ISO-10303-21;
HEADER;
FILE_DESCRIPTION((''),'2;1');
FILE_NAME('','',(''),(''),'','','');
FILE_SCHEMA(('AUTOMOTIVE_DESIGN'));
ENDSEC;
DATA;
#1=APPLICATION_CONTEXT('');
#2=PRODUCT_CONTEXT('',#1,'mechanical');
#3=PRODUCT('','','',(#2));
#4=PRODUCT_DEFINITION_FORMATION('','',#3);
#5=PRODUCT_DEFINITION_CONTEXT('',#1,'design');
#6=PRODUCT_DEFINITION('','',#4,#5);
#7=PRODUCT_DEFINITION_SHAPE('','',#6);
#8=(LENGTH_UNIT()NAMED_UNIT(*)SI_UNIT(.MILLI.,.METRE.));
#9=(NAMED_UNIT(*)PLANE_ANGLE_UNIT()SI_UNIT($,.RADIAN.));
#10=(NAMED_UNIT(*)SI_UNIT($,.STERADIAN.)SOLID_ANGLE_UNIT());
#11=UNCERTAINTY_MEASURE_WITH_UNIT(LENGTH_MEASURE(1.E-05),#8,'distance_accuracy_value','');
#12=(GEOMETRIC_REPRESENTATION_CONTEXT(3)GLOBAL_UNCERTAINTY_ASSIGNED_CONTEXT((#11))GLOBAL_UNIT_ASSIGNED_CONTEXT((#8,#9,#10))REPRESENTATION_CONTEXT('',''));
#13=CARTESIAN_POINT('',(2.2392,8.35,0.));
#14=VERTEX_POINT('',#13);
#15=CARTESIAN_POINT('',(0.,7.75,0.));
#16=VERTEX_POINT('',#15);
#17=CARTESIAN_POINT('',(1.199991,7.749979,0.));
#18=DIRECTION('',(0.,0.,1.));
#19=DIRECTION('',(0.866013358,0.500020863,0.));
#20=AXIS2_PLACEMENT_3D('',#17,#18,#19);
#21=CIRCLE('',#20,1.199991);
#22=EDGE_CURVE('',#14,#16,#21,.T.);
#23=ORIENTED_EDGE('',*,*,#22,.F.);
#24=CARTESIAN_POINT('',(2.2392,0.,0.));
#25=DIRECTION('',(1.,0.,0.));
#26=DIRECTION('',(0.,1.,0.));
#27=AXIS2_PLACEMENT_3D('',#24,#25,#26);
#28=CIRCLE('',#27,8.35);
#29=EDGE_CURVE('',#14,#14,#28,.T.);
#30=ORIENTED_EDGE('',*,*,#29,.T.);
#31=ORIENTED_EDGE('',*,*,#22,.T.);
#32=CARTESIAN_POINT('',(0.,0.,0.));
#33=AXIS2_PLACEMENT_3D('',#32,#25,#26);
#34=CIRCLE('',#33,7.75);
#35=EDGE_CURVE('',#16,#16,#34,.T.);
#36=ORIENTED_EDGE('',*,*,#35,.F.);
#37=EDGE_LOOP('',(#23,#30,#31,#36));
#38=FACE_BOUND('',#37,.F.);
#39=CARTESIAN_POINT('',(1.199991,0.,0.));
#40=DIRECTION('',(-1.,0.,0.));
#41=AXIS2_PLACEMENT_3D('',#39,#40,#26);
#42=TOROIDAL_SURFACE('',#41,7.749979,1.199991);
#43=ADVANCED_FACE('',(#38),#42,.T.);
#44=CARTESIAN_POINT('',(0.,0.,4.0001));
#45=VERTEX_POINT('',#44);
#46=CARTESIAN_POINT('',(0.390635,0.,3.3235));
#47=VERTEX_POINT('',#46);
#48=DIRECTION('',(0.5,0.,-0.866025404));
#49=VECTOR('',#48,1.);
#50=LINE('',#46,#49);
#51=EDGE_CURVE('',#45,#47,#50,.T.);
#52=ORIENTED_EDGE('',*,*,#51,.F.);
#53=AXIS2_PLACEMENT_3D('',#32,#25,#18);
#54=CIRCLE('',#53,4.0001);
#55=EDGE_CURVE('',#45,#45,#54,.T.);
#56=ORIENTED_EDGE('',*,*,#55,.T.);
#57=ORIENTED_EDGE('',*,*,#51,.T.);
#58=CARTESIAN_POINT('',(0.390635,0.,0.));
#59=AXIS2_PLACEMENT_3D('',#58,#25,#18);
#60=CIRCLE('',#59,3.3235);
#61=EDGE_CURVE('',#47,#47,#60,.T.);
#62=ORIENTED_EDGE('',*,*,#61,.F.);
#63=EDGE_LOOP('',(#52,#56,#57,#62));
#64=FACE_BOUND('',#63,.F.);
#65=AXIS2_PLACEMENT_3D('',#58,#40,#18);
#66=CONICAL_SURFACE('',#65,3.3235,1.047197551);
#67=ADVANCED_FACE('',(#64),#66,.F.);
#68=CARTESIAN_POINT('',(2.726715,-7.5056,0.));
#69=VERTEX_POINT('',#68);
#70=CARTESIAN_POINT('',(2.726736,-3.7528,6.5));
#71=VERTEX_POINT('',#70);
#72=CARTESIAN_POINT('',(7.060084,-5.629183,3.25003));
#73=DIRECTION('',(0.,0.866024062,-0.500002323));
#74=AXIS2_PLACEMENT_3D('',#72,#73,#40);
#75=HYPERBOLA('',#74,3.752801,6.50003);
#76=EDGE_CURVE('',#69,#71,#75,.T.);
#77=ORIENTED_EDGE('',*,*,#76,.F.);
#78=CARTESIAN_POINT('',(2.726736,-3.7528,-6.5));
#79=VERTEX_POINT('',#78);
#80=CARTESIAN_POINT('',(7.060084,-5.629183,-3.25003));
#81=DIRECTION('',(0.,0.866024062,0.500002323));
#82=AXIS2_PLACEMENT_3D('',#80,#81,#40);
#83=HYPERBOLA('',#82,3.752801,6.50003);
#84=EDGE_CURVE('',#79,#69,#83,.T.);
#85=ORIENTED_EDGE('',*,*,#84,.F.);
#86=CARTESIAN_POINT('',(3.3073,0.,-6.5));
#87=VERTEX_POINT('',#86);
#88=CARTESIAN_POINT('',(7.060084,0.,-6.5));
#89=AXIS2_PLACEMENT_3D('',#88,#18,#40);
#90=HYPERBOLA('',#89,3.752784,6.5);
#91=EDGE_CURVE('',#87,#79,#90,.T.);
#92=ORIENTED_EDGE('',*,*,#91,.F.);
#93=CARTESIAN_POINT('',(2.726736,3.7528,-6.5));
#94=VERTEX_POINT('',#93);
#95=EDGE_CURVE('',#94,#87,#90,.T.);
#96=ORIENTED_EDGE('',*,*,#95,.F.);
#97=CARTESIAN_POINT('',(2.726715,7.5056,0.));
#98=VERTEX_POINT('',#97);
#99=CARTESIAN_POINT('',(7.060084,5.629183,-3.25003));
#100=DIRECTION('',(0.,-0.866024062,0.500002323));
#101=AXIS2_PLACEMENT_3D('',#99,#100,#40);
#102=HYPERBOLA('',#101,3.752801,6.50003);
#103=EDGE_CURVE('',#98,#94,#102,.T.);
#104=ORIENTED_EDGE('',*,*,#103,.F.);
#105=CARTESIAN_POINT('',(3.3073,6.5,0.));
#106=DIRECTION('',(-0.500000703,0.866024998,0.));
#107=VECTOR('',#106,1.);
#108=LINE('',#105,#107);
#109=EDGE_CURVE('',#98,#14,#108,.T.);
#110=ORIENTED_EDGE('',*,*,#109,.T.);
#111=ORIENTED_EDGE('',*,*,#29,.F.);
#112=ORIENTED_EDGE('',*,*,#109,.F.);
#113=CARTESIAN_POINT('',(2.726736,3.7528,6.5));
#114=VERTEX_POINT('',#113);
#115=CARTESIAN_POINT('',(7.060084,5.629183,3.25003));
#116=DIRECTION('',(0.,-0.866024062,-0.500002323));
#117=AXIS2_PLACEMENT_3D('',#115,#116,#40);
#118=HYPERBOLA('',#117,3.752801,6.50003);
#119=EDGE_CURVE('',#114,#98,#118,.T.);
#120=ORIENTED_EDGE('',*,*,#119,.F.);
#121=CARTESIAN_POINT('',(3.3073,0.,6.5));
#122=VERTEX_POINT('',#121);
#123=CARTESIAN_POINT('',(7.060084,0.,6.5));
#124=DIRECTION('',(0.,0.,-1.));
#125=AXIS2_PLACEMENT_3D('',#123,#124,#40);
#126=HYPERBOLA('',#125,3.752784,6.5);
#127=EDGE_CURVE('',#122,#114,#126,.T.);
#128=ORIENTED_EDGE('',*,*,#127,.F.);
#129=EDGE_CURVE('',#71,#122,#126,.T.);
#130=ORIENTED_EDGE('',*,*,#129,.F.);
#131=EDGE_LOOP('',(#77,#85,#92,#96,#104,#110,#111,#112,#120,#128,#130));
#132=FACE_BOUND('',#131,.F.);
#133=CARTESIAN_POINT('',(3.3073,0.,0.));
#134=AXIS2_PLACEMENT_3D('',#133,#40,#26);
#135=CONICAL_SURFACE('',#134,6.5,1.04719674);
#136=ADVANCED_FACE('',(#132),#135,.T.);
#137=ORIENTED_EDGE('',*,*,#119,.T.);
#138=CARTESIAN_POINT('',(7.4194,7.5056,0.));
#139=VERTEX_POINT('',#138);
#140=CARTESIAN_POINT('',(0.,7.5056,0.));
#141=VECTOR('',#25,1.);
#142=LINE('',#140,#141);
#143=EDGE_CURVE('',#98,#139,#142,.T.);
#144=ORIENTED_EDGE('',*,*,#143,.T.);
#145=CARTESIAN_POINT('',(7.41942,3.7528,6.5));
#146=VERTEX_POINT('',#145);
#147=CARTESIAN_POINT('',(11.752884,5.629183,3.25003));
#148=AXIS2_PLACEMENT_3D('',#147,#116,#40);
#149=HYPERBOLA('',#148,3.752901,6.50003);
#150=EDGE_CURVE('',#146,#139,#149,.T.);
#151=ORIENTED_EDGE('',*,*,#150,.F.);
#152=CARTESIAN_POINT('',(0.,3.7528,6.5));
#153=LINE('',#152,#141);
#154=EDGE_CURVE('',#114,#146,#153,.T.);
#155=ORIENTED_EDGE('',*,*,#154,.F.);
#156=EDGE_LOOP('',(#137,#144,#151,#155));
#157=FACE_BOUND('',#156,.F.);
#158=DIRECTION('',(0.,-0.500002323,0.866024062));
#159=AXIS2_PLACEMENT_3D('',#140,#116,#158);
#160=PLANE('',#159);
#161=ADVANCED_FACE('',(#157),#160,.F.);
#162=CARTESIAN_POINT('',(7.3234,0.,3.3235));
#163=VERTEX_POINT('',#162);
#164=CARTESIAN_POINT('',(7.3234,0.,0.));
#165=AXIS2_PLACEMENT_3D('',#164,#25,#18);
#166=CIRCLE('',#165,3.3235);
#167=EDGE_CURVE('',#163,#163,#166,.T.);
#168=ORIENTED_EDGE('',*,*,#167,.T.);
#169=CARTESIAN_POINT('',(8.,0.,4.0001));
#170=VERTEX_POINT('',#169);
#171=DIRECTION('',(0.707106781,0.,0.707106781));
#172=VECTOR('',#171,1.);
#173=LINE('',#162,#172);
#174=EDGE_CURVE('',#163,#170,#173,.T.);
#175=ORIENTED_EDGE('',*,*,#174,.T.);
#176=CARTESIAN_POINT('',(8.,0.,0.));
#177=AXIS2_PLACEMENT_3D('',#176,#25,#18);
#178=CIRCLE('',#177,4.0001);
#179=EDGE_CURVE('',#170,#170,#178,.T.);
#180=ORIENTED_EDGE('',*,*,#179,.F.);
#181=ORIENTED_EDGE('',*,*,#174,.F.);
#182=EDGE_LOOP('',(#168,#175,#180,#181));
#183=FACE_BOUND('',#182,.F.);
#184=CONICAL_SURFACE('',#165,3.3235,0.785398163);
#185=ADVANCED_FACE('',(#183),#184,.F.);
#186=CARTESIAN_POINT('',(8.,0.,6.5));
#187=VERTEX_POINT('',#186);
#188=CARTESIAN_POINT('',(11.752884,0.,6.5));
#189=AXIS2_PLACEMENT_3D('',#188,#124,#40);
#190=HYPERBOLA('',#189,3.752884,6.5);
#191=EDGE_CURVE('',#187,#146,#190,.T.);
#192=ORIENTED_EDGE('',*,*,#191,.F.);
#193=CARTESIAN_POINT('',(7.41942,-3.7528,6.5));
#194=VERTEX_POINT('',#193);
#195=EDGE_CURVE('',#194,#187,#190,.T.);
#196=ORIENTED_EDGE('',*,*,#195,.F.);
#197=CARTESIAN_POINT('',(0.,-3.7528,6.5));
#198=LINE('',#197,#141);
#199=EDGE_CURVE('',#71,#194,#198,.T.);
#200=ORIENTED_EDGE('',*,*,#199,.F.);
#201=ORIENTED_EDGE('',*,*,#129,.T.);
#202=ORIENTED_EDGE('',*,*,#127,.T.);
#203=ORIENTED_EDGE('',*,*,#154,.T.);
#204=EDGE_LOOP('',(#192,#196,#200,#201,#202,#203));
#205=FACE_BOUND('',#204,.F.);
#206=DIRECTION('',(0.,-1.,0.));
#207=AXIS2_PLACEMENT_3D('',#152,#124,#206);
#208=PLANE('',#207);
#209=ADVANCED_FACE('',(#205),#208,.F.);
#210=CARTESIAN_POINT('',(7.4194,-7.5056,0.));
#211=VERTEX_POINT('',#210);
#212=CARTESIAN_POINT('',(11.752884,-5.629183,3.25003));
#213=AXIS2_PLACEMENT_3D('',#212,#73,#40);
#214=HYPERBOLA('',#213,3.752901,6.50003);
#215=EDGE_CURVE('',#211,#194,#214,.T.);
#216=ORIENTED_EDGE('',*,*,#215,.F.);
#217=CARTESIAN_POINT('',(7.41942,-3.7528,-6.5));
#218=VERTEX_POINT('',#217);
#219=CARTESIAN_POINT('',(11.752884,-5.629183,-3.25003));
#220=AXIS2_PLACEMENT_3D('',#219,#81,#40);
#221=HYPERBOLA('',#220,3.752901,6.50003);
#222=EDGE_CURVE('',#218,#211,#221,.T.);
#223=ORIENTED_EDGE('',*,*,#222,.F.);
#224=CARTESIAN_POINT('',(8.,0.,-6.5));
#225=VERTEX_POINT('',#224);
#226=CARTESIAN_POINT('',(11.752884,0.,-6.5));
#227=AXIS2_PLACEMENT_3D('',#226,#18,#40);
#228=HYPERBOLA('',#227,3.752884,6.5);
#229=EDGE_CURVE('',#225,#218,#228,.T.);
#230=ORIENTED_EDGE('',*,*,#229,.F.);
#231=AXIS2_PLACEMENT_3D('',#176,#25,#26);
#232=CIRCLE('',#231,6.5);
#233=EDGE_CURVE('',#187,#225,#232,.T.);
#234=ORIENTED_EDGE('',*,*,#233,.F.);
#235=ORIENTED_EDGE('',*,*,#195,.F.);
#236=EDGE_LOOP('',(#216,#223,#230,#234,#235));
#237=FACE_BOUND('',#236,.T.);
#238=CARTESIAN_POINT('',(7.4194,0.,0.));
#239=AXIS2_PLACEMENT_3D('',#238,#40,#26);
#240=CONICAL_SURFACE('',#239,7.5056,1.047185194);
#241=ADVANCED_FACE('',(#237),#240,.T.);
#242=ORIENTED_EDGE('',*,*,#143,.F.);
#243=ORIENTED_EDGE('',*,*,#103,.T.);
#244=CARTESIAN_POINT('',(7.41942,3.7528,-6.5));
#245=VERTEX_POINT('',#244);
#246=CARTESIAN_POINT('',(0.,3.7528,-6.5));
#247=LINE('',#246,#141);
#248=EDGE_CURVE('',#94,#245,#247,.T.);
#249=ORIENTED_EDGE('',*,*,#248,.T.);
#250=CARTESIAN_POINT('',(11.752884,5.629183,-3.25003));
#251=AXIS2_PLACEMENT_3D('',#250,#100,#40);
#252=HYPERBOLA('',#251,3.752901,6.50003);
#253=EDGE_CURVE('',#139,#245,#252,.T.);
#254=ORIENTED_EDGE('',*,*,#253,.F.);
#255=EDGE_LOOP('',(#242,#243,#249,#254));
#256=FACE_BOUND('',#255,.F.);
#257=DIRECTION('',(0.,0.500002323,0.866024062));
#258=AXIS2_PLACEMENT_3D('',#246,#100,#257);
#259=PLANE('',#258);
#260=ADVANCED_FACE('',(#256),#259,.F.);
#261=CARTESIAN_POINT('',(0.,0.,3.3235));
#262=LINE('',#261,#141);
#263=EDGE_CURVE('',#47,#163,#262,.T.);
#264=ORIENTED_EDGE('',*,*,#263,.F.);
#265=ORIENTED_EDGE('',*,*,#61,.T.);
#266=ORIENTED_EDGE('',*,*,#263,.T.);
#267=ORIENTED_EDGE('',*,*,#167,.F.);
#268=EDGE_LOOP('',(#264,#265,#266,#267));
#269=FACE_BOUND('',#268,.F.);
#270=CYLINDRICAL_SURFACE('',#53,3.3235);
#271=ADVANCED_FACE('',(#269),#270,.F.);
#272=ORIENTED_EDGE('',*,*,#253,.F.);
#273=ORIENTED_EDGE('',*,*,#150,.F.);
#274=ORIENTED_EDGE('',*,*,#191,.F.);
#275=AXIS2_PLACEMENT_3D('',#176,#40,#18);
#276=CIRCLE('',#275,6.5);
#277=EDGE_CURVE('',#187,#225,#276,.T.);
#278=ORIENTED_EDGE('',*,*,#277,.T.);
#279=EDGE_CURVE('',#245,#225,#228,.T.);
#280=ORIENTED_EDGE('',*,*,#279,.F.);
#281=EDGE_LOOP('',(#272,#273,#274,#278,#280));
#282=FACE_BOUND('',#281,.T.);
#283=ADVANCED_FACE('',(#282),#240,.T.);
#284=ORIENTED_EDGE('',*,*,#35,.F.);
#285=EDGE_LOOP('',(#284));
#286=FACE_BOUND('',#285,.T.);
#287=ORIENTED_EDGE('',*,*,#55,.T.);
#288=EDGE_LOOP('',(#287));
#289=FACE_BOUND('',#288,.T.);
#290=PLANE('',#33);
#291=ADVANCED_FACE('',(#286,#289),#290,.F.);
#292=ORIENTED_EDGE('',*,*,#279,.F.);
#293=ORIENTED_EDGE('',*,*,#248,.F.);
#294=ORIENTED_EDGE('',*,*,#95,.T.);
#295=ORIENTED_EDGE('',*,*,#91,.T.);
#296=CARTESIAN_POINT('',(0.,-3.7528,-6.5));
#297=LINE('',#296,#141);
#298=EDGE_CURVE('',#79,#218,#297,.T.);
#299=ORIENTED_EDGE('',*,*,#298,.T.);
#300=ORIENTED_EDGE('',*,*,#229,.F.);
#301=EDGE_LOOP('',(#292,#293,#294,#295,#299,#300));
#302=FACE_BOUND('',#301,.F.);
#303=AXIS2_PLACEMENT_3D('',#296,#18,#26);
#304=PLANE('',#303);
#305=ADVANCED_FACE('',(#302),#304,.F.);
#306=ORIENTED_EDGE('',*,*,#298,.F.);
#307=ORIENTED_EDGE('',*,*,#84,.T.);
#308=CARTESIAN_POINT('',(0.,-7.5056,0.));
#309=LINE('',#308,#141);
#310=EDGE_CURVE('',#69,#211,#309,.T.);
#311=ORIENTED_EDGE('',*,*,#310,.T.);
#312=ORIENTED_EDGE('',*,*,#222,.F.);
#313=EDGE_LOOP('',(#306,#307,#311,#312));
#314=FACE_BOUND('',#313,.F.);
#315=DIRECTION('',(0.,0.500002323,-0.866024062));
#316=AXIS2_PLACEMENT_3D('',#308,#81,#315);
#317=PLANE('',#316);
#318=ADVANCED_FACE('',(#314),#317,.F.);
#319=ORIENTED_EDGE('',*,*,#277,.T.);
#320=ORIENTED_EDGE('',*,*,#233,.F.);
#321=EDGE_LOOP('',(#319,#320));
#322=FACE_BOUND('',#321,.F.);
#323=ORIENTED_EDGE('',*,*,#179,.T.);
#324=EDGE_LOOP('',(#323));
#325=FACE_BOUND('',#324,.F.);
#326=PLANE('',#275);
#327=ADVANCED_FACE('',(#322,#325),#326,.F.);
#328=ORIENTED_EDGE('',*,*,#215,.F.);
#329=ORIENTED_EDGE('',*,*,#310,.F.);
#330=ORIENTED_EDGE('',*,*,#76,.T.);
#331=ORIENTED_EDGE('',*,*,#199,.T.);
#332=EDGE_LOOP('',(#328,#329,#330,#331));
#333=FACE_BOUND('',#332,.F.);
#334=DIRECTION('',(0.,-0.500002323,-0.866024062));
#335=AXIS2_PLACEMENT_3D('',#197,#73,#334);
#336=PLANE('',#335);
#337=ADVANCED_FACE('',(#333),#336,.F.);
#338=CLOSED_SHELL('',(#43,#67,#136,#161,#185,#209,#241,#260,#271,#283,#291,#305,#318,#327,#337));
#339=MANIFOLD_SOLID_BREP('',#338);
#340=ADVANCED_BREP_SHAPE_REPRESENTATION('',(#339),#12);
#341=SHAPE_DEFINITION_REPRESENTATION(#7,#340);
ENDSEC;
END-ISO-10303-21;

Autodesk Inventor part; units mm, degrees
ref_plane "YZ Plane" through (0, 0, 0) normal (1, 0, 0) x (0, 1, 0)
ref_plane "XZ Plane" through (0, 0, 0) normal (0, 1, 0) x (-1, 0, 0)
sketch "Sketch1" plane through (0, 0, 0) normal (0, 0, 1) x (1, 0, 0)
  line L0 (-1.8762, 0) -> (9.646, 0) projected
  line L1 (3.3073, 6.5) -> (2.2392, 8.35)
  line L2 (3.3073, 6.5) -> (8, 6.5) construction
  line L3 (8, 6.5) -> (8, 0) construction
  arc A0 (2.2392, 8.35) -> (0, 7.75) centre (1.2, 7.75) ccw
  line L4 (3.3073, 6.5) -> (3.3073, 0)
  line L5 (0, -1.8418) -> (0, 11.0509) projected
  point P0 (0, 0)
  dimension "d2" = 13
  dimension "d4" = 17.9
  dimension "d5" = 1.2
  dimension "d15" = 8
  dimension "d16" = 30
revolve "Ring" add sketch "Sketch1" angle 360 about axis through (-10, 0, 0) along (1, 0, 0)
sketch "Sketch2" plane through (0, 0, 0) normal (-1, 0, 0) x (0, 0, 1)
  circle A0 centre (0, 0) radius 4.9
  line L0 (-6.5, -3.7528) -> (-6.5, 3.7528)
  line L1 (-6.5, 3.7528) -> (0, 7.5056)
  line L2 (0, 7.5056) -> (6.5, 3.7528)
  line L3 (6.5, 3.7528) -> (6.5, -3.7528)
  line L4 (6.5, -3.7528) -> (0, -7.5056)
  line L5 (0, -7.5056) -> (-6.5, -3.7528)
  circle A1 centre (0, 0) radius 7.75 projected
  dimension "d6" = 15.0111
extrude "Body" add sketch "Sketch2" against normal blind 8 contours A0 | L0 L1 L2 L3 L4 L5
sketch "Sketch3" plane through (0, 0, 0) normal (0, 0, 1) x (1, 0, 0)
  line L0 (2.7268, 7.5056) -> (8, 7.5056) projected
  line L1 (8, 3.7528) -> (8, 7.5056) projected
  line L2 (0, -7.75) -> (0, 7.75) projected
  line L3 (-1.6, 0) -> (9.6, 0) projected
  line L4 (7.4194, 7.5056) -> (8, 6.5)
  dimension "d10" = 30
  dimension "d11" = 13
revolve "Chamfer1" cut sketch "Sketch3" angle 360 about axis through (-10, 0, 0) along (1, 0, 0)
sketch "Sketch4" plane through (0, 0, 0) normal (-1, 0, 0) x (0, 0, 1)
  circle A0 centre (0, 0) radius 7.75 projected
hole "Thread" at (0, 0, 0) direction (1, 0, 0) diameter 6.647 end through all thread size "M8x1.25" class "6H" standard "ANSI Metric M Profile"
chamfer "Chamfer2" distance 0.6766 angle 30 1 edges at (0, 0, -3.3235) measured on face at (0, 6.1914, -0.7518)
ref_plane "Work Plane1" through (26.5484, 0, 0) normal (0, 0, -1) x (-1, 0, 0)
chamfer "Chamfer3" distance 0.6766 angle 45 1 edges at (8, 0, -3.3235)
equation "\"d2\" = SW"
equation "\"d4\" = LADI"
equation "\"d5\" = PHH"
equation "\"d15\" = KOH"
equation "\"d16\" = KEWI"
equation "\"d6\" = 1.1547 * SW"
equation "\"d7\" = KOH"
equation "\"d10\" = ANG1"
equation "\"d11\" = SW0"
equation "\"d12\" = -0.5 * GD1 + 0.5 * NND"
equation "\"d46\" = -0.5 * GD1 + 0.5 * NND"
equation "\"d51\" = -0.5 * GD1 + 0.5 * NND"
equation "\"ANG1\" = 30deg"
equation "\"KEWI\" = 30deg"
equation "\"NND\" = 8"
equation "\"LADI\" = 17.9"
equation "\"SW\" = 13"
equation "\"PHH\" = RR"
equation "\"KOH\" = 8"
equation "\"SW0\" = SW"
equation "\"d1\" = LADI"
equation "\"d3\" = PHH"
equation "\"GUL\" = 0.541266 * PTC"
equation "\"RR\" = 1.2"
equation "\"THREADDIA\" = 8"
equation "\"TOA\" = 30deg"
equation "\"PTC\" = 1.25"
equation "\"RR1\" = 0.5"
equation "\"GAL\" = 0.541266 * PTC"
equation "\"E0\" = 1.155 * SW"
equation "\"GD1\" = 6.646835"
properties part number "ANSI B18.2.4.4M - M8 x 1,25" material "Steel, Mild"
